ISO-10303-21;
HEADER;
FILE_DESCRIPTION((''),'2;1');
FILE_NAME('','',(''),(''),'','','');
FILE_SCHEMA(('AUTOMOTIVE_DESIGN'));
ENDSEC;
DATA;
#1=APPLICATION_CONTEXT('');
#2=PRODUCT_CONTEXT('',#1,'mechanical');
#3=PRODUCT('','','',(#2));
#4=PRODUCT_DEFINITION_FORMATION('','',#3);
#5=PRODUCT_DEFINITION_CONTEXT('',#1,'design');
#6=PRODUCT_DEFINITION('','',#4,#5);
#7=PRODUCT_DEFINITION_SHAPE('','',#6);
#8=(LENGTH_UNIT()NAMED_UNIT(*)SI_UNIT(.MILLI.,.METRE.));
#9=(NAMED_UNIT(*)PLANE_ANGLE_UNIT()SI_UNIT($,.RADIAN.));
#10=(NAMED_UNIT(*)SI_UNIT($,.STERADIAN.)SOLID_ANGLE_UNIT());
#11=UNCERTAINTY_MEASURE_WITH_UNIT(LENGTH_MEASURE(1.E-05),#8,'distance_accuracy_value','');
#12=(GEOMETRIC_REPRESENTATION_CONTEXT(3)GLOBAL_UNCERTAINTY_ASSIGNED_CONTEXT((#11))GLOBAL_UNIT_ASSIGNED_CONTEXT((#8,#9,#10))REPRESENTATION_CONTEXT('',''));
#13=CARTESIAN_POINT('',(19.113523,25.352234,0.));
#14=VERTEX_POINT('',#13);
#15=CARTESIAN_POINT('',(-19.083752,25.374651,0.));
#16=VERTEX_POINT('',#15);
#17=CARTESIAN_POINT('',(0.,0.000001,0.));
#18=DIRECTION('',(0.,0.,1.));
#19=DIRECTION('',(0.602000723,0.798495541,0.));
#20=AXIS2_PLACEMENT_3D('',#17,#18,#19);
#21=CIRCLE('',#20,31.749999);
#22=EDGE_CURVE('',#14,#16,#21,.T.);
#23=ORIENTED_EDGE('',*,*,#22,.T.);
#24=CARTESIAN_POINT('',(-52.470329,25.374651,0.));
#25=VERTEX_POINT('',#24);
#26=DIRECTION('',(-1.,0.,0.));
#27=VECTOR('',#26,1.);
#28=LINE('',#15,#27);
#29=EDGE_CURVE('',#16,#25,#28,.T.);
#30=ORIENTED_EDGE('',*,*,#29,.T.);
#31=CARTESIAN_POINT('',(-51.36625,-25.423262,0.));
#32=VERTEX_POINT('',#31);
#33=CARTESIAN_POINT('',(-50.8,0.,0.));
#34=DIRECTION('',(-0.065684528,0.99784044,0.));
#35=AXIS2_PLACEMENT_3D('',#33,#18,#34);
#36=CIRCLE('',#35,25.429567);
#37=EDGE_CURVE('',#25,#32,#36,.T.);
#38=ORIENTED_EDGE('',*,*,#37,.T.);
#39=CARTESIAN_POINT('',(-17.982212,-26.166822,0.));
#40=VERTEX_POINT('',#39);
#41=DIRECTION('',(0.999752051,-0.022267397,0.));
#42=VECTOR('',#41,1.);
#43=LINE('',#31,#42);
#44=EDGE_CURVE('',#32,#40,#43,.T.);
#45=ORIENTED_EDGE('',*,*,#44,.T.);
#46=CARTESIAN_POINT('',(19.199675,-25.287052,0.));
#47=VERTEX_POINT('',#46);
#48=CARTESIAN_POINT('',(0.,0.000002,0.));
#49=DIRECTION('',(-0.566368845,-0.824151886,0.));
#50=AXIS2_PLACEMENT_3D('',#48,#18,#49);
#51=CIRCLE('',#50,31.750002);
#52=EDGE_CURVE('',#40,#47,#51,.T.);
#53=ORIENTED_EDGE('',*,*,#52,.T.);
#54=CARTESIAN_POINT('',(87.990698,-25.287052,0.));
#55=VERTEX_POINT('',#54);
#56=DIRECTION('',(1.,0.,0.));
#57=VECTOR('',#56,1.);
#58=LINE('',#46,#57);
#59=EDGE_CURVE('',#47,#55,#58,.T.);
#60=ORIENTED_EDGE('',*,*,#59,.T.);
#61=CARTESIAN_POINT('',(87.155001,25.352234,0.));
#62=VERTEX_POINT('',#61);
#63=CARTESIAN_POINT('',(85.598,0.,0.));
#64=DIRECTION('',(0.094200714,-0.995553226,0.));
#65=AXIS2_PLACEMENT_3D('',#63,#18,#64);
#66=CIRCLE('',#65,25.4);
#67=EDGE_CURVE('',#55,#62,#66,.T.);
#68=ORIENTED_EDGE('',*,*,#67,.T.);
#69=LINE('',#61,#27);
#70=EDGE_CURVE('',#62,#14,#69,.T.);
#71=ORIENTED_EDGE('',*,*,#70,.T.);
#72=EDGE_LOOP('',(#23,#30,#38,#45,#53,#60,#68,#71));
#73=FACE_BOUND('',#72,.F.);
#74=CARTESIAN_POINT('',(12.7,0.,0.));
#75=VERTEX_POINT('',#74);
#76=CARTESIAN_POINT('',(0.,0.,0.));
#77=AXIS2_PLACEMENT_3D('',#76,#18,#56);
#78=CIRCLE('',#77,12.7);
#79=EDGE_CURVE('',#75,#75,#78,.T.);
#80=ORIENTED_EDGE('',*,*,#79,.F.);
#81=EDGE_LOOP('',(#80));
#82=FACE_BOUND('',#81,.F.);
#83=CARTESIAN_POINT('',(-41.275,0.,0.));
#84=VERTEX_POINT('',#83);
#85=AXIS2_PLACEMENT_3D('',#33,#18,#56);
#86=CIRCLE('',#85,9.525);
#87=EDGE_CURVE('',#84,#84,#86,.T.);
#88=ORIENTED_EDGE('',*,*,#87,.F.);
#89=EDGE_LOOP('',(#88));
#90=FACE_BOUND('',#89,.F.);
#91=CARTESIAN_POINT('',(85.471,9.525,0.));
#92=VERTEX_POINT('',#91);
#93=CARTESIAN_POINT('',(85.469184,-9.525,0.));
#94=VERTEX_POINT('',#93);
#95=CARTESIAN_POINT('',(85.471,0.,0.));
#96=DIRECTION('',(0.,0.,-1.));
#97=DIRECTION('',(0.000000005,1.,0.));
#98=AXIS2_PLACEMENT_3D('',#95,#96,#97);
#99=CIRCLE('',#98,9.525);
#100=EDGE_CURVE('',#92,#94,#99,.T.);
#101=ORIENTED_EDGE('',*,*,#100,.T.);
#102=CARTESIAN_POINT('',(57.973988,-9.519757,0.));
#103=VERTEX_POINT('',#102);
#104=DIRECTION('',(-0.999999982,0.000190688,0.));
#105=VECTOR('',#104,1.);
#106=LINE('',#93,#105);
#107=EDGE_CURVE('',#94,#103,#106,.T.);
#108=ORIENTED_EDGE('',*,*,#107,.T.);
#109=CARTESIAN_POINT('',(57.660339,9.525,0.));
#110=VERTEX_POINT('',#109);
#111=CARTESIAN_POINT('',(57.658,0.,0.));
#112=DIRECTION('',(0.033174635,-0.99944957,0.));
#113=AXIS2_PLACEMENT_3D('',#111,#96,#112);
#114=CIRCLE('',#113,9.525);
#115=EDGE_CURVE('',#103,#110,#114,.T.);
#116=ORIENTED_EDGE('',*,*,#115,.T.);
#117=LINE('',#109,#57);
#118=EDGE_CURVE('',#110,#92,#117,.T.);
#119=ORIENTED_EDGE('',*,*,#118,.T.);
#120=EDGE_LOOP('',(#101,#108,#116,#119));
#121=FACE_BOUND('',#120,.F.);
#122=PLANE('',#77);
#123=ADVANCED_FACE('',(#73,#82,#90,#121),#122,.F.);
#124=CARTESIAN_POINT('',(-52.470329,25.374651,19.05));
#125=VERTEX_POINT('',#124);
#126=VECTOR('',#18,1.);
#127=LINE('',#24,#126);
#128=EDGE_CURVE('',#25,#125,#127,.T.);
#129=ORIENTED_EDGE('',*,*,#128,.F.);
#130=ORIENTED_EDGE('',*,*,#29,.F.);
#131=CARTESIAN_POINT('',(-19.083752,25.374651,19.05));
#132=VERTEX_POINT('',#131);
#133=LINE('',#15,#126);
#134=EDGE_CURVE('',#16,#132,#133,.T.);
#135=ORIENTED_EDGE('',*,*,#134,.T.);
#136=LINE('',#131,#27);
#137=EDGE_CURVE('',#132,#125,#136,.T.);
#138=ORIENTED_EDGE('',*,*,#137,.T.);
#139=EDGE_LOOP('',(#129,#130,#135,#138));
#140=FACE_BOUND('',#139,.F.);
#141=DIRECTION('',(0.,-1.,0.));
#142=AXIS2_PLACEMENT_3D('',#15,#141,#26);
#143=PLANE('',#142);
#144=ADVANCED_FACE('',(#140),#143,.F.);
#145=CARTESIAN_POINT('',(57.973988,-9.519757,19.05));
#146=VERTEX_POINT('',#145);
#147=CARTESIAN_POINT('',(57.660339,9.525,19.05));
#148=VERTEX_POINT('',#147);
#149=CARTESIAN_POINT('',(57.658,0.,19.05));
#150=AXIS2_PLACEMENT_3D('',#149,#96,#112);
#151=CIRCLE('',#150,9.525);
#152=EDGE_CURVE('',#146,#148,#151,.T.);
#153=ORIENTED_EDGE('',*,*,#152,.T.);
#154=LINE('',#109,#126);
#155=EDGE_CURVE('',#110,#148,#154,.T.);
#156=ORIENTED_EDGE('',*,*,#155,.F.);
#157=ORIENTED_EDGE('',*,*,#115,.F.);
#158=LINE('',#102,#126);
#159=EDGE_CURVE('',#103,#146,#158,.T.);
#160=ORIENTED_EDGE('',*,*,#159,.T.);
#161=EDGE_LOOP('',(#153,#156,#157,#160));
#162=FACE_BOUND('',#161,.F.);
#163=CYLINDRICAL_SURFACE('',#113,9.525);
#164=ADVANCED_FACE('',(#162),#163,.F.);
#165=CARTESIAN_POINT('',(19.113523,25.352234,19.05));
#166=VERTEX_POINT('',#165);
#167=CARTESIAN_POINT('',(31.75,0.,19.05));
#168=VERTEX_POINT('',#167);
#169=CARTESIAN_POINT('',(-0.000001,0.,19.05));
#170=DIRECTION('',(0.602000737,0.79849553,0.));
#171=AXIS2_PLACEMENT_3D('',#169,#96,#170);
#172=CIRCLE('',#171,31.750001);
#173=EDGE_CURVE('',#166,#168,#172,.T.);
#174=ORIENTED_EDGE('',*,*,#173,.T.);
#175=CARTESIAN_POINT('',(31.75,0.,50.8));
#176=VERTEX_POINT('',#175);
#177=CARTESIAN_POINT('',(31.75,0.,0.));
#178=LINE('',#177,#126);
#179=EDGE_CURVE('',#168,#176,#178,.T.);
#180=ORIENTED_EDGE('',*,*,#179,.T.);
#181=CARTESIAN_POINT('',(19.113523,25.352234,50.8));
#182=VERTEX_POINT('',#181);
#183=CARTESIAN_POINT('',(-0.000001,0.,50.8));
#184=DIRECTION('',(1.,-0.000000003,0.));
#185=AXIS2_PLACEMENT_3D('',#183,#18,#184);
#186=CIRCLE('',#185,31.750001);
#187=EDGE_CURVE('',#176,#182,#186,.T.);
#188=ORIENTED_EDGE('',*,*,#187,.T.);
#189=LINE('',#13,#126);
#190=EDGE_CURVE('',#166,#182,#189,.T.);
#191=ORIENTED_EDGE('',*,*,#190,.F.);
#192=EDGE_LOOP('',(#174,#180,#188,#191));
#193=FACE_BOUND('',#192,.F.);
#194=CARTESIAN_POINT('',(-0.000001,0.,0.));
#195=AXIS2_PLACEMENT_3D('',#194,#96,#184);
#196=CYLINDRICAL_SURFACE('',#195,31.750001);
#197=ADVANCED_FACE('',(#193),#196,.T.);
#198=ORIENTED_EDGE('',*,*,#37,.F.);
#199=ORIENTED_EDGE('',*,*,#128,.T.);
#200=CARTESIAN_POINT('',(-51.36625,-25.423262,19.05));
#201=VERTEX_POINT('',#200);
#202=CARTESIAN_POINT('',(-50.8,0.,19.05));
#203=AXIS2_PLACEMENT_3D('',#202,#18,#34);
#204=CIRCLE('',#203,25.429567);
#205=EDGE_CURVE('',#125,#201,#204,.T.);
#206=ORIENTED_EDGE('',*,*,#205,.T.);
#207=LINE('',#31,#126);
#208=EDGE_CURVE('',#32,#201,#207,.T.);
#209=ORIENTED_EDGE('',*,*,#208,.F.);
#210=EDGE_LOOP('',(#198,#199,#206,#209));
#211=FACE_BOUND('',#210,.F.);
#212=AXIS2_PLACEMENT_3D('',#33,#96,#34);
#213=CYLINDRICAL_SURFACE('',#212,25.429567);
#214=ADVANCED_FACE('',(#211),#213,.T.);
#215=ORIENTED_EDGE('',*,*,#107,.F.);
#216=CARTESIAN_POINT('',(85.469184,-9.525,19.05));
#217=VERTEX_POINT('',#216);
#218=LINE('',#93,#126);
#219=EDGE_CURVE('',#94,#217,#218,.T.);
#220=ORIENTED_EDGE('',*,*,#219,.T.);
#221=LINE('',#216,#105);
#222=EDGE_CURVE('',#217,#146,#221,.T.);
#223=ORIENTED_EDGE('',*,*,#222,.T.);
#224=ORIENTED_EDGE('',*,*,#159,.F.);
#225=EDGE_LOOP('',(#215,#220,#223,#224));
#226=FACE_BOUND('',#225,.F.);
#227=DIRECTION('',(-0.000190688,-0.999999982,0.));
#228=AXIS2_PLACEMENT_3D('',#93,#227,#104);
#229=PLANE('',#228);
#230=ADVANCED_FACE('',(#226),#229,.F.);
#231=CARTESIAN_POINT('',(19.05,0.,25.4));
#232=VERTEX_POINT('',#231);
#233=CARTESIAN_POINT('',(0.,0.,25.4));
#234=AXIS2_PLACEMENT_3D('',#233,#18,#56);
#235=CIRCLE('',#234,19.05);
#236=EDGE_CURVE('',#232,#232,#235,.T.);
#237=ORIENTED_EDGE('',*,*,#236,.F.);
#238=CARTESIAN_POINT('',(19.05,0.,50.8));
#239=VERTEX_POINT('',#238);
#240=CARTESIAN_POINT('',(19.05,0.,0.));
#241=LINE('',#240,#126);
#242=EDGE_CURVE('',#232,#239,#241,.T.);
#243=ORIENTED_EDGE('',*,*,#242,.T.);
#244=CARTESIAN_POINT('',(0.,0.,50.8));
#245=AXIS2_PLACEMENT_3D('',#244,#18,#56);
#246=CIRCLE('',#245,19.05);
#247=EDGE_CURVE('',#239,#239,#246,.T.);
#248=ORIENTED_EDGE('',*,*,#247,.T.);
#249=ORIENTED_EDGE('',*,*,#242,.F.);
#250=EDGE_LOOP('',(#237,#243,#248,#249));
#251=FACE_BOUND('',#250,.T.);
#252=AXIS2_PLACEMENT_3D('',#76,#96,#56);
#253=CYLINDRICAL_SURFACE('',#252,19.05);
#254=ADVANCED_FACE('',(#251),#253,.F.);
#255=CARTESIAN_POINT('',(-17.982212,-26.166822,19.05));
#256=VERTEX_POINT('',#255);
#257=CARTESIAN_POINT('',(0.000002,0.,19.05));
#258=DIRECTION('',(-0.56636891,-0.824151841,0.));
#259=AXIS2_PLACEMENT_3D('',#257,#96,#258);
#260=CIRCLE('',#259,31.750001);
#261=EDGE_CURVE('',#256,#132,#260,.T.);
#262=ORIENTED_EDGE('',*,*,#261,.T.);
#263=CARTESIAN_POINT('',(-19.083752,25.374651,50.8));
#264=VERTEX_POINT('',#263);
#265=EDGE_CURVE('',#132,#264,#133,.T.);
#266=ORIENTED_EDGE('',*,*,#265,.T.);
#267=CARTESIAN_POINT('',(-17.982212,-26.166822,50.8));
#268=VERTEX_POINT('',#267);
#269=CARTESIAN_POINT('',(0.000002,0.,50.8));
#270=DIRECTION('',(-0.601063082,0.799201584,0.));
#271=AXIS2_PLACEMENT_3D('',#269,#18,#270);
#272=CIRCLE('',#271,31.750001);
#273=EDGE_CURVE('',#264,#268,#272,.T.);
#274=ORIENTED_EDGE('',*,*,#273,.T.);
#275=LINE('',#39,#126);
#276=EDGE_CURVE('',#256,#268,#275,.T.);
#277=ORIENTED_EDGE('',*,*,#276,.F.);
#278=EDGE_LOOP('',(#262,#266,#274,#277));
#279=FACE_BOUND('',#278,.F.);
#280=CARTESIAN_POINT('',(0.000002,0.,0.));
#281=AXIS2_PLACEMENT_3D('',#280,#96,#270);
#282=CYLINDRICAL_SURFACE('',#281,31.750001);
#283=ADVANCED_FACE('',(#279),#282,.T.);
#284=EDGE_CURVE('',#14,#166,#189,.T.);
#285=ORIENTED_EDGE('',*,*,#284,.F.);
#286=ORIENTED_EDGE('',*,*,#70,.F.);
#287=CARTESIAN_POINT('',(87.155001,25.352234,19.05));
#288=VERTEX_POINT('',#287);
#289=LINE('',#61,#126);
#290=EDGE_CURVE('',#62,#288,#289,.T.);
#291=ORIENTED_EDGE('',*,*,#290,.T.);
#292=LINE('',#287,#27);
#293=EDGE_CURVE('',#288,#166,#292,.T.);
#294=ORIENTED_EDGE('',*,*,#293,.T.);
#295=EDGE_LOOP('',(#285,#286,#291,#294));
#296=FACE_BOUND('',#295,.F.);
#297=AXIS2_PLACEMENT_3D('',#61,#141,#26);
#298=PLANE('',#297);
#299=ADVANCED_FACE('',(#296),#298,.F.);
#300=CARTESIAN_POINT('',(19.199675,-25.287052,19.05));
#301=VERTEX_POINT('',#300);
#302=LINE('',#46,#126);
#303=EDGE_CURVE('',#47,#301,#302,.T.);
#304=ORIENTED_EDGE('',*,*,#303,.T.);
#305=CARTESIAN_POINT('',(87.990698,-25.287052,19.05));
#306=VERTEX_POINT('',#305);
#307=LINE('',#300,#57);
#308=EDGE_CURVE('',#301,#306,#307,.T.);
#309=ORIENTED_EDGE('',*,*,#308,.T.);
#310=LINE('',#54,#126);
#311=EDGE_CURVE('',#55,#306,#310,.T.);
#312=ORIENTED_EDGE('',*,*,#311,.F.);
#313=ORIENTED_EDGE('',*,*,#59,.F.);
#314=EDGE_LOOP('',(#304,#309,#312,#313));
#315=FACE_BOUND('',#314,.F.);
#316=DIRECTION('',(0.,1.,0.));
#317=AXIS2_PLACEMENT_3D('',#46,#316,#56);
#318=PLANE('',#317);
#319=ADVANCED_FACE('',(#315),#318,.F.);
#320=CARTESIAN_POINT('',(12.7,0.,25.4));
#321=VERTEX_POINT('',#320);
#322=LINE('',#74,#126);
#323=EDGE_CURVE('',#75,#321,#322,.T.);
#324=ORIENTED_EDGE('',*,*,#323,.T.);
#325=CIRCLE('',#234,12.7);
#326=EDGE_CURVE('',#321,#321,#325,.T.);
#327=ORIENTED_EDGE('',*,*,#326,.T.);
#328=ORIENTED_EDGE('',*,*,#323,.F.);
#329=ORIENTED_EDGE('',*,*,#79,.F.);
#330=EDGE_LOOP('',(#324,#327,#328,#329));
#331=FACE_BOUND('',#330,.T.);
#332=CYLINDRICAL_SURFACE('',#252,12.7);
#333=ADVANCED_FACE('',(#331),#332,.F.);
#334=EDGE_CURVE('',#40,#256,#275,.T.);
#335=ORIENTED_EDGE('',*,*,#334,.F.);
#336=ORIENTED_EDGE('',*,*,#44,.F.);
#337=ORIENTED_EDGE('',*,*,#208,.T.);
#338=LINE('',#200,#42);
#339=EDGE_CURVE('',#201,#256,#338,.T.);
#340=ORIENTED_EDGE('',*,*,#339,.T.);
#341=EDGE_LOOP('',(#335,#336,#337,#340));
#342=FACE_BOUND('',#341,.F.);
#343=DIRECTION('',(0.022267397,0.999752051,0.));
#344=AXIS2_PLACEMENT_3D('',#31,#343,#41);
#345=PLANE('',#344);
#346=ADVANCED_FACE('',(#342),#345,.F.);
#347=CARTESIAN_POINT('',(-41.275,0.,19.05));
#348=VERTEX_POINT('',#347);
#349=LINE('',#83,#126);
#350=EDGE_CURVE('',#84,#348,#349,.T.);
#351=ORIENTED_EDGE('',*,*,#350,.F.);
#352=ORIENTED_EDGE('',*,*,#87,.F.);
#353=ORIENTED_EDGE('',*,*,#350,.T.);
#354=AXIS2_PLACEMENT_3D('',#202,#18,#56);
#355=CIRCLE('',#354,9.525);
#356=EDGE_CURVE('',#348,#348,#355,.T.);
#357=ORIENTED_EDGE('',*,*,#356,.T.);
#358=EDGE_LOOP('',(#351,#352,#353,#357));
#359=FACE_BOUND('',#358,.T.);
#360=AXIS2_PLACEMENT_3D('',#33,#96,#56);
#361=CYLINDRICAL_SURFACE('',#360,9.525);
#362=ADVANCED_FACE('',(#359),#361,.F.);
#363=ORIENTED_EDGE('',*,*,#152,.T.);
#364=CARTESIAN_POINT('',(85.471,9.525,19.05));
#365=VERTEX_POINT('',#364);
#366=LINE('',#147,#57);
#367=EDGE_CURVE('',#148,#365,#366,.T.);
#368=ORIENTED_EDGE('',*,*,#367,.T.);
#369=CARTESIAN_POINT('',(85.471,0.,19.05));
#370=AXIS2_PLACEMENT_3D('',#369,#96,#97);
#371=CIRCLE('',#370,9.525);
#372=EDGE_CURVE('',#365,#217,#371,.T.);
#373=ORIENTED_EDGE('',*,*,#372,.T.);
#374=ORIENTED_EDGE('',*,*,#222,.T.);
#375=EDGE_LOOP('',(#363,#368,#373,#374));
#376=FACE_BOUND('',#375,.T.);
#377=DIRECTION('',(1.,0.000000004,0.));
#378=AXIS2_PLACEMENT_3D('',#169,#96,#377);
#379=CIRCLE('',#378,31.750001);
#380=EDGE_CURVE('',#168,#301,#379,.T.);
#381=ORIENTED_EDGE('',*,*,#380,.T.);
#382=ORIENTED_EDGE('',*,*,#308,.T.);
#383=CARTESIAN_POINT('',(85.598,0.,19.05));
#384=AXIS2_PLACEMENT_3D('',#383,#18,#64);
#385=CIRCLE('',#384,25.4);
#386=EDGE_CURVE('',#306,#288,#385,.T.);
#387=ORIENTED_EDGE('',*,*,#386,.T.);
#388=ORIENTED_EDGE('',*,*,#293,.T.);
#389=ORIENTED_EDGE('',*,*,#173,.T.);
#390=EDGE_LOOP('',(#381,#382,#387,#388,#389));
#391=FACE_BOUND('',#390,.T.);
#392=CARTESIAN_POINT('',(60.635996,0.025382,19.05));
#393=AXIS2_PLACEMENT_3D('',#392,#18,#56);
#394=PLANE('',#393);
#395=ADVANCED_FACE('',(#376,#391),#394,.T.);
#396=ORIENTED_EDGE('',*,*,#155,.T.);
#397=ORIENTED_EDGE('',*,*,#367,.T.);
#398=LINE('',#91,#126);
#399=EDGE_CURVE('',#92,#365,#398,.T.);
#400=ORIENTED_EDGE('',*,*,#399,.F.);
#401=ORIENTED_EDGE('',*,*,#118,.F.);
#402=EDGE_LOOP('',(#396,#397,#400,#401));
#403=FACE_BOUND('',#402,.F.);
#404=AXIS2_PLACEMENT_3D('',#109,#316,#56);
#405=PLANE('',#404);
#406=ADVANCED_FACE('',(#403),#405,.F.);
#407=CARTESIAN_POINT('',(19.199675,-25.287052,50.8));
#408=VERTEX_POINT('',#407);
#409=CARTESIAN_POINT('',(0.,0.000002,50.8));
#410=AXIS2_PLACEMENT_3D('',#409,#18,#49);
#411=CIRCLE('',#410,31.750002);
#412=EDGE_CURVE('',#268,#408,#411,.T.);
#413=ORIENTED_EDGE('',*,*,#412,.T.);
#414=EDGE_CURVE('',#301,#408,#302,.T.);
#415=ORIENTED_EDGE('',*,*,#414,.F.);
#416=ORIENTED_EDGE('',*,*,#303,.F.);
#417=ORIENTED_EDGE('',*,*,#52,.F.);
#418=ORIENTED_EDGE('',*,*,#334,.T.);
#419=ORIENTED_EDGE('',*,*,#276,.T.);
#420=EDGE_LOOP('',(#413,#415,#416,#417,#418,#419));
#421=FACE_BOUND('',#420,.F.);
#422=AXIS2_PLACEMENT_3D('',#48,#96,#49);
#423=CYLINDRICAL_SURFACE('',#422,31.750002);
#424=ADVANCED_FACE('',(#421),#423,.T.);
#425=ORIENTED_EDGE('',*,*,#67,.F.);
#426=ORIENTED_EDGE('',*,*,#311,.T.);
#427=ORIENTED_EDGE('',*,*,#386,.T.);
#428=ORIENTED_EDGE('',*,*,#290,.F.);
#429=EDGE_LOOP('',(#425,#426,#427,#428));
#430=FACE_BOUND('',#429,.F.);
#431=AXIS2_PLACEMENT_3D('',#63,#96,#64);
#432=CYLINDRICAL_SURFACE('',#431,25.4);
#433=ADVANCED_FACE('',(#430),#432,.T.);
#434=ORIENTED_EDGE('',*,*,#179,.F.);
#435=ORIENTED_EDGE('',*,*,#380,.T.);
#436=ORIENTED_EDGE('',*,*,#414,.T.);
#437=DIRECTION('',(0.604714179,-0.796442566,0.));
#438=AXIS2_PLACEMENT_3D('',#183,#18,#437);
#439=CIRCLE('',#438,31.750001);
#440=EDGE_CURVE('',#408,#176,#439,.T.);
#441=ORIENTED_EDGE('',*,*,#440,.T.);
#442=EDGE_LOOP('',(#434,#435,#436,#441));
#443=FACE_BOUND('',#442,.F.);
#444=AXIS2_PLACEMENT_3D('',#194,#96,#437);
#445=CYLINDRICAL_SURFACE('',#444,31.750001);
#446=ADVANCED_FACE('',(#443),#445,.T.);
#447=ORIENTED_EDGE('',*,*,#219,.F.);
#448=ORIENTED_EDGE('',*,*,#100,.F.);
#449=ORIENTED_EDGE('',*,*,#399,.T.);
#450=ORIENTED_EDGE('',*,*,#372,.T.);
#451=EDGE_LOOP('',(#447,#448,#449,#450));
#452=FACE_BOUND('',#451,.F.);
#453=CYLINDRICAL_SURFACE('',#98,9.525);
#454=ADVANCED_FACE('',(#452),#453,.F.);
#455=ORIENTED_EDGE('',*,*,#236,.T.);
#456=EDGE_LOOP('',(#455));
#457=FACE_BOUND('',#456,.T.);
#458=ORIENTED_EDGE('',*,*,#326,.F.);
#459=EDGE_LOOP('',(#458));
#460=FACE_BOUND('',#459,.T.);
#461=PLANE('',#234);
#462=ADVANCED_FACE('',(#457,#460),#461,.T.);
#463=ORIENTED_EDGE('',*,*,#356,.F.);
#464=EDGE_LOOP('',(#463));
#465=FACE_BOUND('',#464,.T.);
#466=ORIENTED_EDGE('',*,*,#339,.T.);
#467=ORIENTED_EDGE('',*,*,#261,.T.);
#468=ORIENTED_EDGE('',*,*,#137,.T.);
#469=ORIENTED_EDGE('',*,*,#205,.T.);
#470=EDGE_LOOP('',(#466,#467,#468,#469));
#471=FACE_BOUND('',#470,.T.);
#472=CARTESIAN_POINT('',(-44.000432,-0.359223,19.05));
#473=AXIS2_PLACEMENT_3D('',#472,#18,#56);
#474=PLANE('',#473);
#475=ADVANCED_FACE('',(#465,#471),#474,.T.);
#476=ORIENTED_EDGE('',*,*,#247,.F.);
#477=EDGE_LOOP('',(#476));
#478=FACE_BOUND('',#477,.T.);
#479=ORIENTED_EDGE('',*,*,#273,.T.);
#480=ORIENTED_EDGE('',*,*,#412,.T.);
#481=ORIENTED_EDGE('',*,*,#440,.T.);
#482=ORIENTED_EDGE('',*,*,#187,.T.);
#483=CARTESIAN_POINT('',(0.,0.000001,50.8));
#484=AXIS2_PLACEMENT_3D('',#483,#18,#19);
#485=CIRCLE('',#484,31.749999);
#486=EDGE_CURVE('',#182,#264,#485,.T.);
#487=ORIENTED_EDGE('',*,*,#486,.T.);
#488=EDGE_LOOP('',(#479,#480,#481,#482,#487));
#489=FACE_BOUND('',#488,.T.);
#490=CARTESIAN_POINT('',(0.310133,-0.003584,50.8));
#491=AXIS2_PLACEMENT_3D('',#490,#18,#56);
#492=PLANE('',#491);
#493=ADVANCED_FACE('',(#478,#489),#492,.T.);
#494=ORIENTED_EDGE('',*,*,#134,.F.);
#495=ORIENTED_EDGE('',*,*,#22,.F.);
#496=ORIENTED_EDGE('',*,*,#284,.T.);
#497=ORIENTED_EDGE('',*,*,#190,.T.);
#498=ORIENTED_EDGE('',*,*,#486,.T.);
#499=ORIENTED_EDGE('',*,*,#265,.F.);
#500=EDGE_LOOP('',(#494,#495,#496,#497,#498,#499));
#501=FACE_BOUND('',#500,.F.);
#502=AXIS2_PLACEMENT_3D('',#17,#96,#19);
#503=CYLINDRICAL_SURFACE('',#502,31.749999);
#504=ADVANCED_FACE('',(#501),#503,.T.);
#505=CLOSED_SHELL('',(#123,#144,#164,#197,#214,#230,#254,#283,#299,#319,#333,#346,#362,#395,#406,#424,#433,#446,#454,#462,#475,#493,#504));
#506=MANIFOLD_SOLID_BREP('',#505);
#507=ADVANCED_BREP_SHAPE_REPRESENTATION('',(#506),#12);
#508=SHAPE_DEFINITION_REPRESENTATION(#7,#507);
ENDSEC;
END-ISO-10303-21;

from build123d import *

# Parameters (mm, degrees)
F0_R     = 19.05
F1_DEPTH = 50.8
F0_R_2   = 9.525
F2_DEPTH = 19.05
F0_R_3   = 12.7
F3_DEPTH = 25.4


with BuildPart() as f1:
    # F0 (on Top) → F1 (new body)
    with BuildSketch(Plane.XY):
        with BuildLine():
            ThreePointArc((19.199675, -25.287052), (28.439868, -14.115113), (31.75, 0))
            ThreePointArc((31.75, 0), (28.415813, 14.163477), (19.113523, 25.352234))
            ThreePointArc((19.113523, 25.352234), (0.018633, 31.749995), (-19.083752, 25.374651))
            ThreePointArc((-19.083752, 25.374651), (-31.742751, -0.678404), (-17.982212, -26.166822))
            ThreePointArc((-17.982212, -26.166822), (0.751034, -31.741116), (19.199675, -25.287052))
        make_face()
        Circle(F0_R, mode=Mode.SUBTRACT)
    extrude(amount=F1_DEPTH)

    # F0 (on Top) → F2 (join)
    with BuildSketch(Plane.XY):
        with BuildLine():
            ThreePointArc((-17.982212, -26.166822), (-31.742751, -0.678404), (-19.083752, 25.374651))
            Line((-19.083752, 25.374651), (-49.129671, 25.374651))
            Line((-49.129671, 25.374651), (-52.470329, 25.374651))
            ThreePointArc((-52.470329, 25.374651), (-76.223563, -0.552574), (-51.36625, -25.423262))
            Line((-51.36625, -25.423262), (-17.982212, -26.166822))
        make_face()
        with Locations((-50.8, 0)):
            Circle(F0_R_2, mode=Mode.SUBTRACT)
        with BuildLine():
            ThreePointArc((19.113523, 25.352234), (28.415813, 14.163477), (31.75, 0))
            ThreePointArc((31.75, 0), (28.439868, -14.115113), (19.199675, -25.287052))
            Line((19.199675, -25.287052), (83.205302, -25.287052))
            Line((83.205302, -25.287052), (87.990698, -25.287052))
            ThreePointArc((87.990698, -25.287052), (110.994542, 0.419117), (87.155001, 25.352234))
            Line((87.155001, 25.352234), (84.040999, 25.352234))
            Line((84.040999, 25.352234), (19.113523, 25.352234))
        make_face()
        with BuildLine():
            ThreePointArc((85.471, 9.525), (94.996, -0.000908), (85.469184, -9.525))
            Line((85.469184, -9.525), (57.973988, -9.519757))
            ThreePointArc((57.973988, -9.519757), (48.134291, -0.156846), (57.660339, 9.525))
            Line((57.660339, 9.525), (85.471, 9.525))
        make_face(mode=Mode.SUBTRACT)
    extrude(amount=F2_DEPTH)

    # F0 (on Top) → F3 (join)
    with BuildSketch(Plane.XY):
        Circle(F0_R)
        Circle(F0_R_3, mode=Mode.SUBTRACT)
    extrude(amount=F3_DEPTH)


solid = f1.part
